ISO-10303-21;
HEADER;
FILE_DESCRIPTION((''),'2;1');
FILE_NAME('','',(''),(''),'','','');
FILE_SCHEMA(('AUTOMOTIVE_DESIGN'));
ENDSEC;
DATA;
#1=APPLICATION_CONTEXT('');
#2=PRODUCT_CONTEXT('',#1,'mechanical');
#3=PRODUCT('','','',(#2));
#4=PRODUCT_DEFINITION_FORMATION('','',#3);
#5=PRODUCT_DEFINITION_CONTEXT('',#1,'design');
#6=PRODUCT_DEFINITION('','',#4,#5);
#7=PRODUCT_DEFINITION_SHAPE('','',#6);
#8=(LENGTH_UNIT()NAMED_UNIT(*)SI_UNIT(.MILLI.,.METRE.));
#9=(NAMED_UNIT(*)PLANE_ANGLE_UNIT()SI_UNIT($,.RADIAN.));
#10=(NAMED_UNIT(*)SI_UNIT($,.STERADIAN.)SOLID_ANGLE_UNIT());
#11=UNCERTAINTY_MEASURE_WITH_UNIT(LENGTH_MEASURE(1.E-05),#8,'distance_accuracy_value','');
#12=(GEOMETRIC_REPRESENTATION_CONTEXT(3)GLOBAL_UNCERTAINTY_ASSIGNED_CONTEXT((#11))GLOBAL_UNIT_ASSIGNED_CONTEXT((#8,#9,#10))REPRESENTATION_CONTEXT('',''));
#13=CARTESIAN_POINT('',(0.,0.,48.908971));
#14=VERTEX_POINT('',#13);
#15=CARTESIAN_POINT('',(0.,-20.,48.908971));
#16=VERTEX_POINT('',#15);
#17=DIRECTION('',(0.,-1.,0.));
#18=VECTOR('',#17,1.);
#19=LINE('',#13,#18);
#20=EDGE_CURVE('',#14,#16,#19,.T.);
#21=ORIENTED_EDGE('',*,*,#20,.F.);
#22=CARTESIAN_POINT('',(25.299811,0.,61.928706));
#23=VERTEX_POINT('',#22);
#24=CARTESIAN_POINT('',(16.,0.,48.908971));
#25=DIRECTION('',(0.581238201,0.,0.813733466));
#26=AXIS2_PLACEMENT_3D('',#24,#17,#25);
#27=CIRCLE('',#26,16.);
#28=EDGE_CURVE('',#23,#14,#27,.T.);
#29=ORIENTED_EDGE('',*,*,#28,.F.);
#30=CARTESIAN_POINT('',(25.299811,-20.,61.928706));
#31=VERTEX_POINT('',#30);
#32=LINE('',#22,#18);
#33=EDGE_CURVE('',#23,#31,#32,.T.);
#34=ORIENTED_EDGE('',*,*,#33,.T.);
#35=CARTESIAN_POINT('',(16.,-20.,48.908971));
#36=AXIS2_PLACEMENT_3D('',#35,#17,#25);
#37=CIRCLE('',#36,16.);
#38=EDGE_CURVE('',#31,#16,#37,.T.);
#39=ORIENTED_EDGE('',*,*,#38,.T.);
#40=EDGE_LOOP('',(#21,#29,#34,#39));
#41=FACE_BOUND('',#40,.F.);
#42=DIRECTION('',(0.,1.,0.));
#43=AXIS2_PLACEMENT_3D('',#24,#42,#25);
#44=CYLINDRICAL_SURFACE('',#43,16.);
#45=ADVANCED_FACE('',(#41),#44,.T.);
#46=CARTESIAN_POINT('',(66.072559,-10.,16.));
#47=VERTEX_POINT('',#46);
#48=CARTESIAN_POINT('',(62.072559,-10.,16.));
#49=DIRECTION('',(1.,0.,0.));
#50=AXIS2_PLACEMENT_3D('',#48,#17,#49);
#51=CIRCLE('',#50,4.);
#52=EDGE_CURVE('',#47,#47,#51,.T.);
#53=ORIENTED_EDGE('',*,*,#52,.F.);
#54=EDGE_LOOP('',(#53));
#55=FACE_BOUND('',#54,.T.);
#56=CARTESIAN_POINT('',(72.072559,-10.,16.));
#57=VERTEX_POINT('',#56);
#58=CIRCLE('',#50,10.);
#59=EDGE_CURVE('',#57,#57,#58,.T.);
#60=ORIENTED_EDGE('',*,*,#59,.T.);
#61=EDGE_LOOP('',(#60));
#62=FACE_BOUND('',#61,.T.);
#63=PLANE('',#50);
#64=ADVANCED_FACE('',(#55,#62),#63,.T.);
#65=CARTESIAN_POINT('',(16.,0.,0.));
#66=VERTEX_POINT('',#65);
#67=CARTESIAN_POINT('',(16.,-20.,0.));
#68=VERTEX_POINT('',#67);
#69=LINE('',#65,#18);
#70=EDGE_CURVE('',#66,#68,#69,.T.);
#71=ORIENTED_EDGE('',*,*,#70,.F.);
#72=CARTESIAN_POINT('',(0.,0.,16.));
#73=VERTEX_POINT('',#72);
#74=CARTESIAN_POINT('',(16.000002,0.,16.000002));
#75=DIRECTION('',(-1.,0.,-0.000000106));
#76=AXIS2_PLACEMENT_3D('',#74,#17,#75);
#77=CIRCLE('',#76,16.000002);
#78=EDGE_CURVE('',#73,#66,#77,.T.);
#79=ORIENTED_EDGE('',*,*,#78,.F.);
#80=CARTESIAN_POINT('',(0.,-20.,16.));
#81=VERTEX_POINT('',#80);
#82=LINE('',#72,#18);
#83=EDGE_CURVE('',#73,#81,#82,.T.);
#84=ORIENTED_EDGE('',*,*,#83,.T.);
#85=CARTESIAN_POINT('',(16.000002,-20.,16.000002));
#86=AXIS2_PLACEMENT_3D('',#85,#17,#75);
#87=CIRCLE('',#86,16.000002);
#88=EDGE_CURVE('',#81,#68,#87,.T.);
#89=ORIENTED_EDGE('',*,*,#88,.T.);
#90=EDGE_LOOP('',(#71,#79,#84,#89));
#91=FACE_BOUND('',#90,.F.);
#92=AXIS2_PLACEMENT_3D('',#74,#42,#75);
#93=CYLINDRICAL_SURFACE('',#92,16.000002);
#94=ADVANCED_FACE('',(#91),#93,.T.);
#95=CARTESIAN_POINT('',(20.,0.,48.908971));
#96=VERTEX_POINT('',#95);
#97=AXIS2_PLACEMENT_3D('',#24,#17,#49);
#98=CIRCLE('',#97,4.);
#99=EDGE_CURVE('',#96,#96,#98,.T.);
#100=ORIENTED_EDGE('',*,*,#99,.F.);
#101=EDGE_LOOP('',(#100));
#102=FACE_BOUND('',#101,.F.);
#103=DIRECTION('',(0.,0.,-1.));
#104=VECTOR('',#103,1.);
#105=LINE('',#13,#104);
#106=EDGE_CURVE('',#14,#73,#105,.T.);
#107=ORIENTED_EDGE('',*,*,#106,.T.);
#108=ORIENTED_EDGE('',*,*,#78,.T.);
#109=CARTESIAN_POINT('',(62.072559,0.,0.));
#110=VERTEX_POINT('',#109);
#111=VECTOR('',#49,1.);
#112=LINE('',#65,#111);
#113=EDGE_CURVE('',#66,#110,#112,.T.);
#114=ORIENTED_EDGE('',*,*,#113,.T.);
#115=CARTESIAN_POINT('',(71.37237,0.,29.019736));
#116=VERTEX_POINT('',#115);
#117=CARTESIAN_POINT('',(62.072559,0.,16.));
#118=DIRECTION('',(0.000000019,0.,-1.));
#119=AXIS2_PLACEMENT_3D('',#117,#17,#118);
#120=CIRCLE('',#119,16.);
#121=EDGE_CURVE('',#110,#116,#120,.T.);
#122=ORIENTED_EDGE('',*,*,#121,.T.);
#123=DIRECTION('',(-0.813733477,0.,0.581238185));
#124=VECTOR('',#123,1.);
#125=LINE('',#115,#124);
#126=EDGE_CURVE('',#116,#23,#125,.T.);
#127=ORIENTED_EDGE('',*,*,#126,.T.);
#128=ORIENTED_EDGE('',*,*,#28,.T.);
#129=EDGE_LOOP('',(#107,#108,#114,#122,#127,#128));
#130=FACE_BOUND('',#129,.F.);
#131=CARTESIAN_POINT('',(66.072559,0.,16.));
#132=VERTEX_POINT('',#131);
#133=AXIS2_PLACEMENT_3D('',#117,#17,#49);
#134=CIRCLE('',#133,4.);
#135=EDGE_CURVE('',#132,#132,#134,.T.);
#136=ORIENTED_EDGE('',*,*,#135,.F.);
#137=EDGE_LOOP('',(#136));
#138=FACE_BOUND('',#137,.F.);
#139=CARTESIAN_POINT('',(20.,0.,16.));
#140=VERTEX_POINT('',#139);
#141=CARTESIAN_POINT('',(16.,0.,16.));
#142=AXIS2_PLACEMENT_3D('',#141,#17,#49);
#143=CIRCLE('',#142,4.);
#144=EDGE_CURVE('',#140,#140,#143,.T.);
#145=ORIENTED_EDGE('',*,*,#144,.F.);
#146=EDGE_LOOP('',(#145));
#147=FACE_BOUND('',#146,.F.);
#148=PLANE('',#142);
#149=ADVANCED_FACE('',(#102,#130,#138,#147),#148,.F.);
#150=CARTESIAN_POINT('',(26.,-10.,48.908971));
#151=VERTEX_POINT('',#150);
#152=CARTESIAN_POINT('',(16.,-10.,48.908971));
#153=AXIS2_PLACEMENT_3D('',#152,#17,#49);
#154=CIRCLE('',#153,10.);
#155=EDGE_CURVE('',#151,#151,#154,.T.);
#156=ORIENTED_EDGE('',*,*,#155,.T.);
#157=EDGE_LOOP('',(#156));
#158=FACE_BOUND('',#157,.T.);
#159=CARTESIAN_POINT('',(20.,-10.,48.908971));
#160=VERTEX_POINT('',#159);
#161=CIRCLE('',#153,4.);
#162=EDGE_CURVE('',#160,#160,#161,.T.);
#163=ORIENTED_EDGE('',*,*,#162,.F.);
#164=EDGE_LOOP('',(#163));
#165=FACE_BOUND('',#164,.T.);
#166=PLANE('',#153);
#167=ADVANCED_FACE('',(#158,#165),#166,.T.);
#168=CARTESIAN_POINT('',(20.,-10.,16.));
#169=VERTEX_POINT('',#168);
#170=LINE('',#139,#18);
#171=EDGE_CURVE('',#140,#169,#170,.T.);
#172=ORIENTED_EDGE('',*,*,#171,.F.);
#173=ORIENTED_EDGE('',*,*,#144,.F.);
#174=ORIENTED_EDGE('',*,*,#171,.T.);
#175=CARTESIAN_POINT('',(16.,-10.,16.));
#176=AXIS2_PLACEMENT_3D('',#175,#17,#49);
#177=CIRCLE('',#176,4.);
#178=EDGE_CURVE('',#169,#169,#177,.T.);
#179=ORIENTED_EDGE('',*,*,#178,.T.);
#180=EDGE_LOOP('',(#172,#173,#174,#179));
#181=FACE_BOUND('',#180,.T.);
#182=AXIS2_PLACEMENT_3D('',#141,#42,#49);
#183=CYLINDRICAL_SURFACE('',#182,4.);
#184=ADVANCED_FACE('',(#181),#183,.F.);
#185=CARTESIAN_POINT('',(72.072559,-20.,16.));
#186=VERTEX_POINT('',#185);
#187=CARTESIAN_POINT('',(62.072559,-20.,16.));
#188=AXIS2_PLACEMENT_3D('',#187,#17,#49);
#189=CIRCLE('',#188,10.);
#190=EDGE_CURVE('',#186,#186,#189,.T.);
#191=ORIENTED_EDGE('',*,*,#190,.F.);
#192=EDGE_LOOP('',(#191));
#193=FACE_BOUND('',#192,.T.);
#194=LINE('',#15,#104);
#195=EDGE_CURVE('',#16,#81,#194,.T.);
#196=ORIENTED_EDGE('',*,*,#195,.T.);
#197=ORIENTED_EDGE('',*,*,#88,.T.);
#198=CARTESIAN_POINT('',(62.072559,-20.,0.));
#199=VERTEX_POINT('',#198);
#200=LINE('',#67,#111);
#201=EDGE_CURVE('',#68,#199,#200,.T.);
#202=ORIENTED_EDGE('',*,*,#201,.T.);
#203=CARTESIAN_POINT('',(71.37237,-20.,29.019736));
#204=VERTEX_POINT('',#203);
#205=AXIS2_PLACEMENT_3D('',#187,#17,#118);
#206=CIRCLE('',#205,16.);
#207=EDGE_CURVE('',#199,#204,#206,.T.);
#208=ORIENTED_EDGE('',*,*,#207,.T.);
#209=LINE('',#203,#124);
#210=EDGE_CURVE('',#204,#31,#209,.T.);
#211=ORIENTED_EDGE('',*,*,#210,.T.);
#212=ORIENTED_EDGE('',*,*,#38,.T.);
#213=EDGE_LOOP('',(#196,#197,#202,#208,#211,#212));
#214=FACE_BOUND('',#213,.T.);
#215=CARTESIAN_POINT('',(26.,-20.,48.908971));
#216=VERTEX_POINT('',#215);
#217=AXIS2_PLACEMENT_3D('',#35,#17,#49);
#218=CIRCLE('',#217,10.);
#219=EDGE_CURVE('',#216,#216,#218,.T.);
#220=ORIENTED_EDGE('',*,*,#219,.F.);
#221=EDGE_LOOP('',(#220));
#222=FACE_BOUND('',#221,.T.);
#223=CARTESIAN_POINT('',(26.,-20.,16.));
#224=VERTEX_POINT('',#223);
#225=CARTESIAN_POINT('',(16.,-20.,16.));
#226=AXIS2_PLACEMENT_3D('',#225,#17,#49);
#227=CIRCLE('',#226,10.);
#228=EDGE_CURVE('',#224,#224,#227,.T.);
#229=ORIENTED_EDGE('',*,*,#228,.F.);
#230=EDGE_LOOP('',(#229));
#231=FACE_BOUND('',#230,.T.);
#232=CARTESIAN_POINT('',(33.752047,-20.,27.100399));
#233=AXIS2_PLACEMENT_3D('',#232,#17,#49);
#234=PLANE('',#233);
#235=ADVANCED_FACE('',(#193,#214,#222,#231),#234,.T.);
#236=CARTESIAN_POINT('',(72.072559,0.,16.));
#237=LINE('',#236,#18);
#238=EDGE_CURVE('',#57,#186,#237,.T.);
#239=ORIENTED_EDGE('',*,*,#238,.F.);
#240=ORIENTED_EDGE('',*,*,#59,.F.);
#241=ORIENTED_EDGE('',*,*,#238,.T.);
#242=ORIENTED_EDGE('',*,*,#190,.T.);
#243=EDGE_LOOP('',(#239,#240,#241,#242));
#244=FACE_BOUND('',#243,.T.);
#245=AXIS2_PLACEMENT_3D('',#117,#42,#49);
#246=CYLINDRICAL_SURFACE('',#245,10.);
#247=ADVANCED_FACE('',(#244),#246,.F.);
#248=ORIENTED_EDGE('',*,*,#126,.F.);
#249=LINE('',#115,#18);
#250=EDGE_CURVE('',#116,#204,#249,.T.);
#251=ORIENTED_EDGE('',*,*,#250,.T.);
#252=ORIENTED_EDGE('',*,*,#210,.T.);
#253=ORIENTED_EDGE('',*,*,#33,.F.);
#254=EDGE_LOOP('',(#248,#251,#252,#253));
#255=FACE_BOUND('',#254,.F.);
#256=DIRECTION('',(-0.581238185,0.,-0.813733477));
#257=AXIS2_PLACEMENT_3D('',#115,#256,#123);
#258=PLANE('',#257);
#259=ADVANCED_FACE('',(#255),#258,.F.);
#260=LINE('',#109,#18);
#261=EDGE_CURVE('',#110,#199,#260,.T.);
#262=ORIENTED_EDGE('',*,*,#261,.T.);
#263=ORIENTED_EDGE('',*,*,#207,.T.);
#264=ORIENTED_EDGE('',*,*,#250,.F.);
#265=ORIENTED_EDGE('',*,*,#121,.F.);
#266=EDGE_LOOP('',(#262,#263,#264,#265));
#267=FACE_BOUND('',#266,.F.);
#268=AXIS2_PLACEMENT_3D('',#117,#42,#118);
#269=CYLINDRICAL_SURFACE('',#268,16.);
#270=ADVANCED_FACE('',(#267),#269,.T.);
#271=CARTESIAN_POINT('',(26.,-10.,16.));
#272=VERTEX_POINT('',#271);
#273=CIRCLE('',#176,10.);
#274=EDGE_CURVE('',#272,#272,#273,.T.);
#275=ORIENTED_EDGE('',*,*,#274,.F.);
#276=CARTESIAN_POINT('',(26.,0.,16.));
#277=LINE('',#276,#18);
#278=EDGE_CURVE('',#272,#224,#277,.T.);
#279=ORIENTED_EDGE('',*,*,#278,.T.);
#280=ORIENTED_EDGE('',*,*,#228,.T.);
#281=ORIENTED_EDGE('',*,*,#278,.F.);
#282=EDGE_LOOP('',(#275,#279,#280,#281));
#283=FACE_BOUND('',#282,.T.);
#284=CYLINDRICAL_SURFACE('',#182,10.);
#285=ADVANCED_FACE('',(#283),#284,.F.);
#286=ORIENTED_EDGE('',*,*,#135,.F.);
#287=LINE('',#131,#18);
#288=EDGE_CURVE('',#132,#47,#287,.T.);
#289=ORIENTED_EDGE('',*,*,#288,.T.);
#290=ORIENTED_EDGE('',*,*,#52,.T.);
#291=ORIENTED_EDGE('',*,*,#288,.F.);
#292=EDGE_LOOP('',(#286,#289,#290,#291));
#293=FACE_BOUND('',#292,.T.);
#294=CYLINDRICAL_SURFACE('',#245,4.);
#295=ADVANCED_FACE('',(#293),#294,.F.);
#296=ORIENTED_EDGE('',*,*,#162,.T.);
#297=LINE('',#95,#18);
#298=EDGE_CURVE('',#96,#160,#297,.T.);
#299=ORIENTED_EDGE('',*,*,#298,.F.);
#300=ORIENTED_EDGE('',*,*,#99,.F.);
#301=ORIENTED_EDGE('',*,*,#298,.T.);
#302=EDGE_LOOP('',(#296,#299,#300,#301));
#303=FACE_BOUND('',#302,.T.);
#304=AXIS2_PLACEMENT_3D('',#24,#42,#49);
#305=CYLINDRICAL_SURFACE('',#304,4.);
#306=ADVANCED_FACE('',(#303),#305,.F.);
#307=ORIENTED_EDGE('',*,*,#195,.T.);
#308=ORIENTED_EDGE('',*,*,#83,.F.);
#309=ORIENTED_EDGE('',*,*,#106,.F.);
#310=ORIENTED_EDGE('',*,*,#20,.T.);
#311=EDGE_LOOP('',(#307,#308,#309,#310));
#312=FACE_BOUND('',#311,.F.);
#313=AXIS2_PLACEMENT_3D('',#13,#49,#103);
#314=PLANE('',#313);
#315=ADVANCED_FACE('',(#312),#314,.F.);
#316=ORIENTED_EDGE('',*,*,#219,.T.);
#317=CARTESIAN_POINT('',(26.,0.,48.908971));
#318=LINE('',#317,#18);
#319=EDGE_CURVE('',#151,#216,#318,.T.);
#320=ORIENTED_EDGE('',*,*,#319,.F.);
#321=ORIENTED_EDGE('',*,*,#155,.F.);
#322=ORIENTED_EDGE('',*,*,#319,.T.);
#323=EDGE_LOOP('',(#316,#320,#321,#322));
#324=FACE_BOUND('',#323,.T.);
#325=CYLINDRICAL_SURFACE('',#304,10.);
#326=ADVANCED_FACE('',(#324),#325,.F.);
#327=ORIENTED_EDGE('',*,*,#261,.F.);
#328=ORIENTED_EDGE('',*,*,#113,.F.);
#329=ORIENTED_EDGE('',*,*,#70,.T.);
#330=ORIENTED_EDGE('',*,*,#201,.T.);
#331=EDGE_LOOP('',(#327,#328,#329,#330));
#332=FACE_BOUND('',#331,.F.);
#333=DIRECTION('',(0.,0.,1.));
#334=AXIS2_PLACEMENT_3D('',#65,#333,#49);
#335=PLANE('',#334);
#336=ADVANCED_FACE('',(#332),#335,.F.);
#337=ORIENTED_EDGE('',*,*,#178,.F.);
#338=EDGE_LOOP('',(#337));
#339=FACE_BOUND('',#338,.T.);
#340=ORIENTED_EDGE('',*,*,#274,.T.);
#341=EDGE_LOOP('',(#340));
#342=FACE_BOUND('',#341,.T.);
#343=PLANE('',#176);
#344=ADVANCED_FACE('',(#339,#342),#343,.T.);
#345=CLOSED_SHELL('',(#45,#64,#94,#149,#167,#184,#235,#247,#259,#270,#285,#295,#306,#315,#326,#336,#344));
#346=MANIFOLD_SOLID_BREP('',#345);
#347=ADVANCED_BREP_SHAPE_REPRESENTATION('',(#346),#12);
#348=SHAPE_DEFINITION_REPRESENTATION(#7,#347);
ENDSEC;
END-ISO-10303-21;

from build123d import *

# Parameters (mm, degrees)
F0_R     = 10
F1_DEPTH = 20
F0_R_2   = 4
F2_DEPTH = 10


with BuildPart() as f1:
    # F0 (on Front) → F1 (new body)
    with BuildSketch(Plane.XZ):
        with BuildLine():
            ThreePointArc((0, 16), (4.686292, 4.686292), (16, 0))
            Line((16, 0), (62.072559, 0))
            ThreePointArc((62.072559, 0), (77.309287, 11.117161), (71.37237, 29.019736))
            Line((71.37237, 29.019736), (25.299811, 61.928706))
            ThreePointArc((25.299811, 61.928706), (8.678695, 63.135653), (0, 48.908971))
            Line((0, 48.908971), (0, 16))
        make_face()
        with Locations((16, 16)):
            Circle(F0_R, mode=Mode.SUBTRACT)
        with Locations((62.072559, 16)):
            Circle(F0_R, mode=Mode.SUBTRACT)
        with Locations((16, 48.908971)):
            Circle(F0_R, mode=Mode.SUBTRACT)
    extrude(amount=F1_DEPTH)

    # F0 (on Front) → F2 (join)
    with BuildSketch(Plane.XZ):
        with Locations((16, 16)):
            Circle(F0_R)
        with Locations((16, 16)):
            Circle(F0_R_2, mode=Mode.SUBTRACT)
        with Locations((16, 48.908971)):
            Circle(F0_R)
        with Locations((16, 48.908971)):
            Circle(F0_R_2, mode=Mode.SUBTRACT)
        with Locations((62.072559, 16)):
            Circle(F0_R)
        with Locations((62.072559, 16)):
            Circle(F0_R_2, mode=Mode.SUBTRACT)
    extrude(amount=F2_DEPTH)


solid = f1.part
